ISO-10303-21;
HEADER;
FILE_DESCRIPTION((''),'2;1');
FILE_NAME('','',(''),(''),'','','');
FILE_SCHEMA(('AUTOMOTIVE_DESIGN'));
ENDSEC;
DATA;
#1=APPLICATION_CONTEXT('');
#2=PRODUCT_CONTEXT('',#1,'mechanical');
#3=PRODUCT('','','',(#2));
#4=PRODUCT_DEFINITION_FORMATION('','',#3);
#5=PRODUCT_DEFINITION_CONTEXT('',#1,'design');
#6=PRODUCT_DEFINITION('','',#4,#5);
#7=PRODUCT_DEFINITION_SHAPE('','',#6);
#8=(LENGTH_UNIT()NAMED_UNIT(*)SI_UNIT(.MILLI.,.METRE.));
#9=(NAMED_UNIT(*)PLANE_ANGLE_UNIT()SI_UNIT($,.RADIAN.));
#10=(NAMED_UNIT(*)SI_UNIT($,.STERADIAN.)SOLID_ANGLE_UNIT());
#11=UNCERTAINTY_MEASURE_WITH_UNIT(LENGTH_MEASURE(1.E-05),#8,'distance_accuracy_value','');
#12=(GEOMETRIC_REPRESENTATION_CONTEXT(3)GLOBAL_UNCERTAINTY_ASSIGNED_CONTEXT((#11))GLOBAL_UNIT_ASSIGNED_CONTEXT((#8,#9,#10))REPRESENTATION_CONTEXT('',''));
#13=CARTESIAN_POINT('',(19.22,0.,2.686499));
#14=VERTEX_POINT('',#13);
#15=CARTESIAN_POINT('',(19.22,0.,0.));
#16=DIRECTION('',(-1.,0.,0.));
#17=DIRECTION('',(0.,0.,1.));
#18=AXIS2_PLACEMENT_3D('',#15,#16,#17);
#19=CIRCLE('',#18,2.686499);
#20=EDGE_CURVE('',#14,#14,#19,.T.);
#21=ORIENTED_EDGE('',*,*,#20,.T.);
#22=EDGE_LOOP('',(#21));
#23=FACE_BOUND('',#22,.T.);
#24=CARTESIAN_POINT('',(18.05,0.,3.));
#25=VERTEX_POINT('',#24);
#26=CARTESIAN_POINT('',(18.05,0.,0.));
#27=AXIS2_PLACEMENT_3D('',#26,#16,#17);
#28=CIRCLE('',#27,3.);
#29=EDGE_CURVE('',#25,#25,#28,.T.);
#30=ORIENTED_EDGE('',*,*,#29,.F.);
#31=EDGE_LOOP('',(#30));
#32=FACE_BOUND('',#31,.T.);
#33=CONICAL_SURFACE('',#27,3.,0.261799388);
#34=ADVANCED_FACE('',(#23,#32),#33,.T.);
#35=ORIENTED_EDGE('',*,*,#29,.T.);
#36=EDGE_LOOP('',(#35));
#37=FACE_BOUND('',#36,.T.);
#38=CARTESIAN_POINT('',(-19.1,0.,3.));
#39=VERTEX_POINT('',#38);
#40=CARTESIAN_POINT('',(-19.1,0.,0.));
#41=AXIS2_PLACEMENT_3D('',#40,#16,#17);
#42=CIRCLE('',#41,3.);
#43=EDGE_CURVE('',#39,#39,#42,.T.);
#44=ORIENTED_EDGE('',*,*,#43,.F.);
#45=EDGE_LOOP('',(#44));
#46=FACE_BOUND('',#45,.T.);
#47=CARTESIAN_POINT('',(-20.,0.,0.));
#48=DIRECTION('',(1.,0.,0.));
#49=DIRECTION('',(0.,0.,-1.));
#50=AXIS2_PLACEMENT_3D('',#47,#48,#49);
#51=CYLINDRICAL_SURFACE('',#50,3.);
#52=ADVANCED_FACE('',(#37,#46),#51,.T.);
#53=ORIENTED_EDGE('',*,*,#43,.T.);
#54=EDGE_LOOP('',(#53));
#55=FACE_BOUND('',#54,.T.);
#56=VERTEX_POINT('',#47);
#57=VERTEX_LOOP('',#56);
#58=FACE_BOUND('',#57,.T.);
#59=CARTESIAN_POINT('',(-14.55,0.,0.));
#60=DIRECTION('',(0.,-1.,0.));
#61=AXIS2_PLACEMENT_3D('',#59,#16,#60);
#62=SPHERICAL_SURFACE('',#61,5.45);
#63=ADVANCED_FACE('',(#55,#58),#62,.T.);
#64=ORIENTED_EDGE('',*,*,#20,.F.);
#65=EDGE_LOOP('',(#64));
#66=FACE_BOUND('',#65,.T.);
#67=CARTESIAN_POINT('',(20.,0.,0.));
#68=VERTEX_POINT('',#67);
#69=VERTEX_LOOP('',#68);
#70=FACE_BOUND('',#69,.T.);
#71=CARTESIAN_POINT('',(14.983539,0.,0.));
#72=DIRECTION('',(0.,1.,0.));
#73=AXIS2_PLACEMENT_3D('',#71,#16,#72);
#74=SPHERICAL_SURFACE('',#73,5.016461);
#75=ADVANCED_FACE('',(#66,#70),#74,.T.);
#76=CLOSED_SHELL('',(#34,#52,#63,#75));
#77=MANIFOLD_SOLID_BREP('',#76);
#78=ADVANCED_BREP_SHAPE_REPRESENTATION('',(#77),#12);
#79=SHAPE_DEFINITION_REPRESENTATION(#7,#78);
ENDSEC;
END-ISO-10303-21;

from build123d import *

# Parameters (mm, degrees)
SKETCH2_R           = 3
EXTRUDE1_DEPTH      = 20
EXTRUDE1_DEPTH_BACK = 20


with BuildPart() as part:
    # Sketch2 → Extrude1 (new body, two sides)
    with BuildSketch(Plane(origin=(0, 0, 0), x_dir=(0, 0, -1), z_dir=(1, 0, 0))) as extrude1_sk:
        Circle(SKETCH2_R)
    extrude(amount=EXTRUDE1_DEPTH)
    extrude(extrude1_sk.sketch, amount=-EXTRUDE1_DEPTH_BACK)

    # Sketch5 → Cut-Revolve1 (revolve, cut)
    with BuildSketch(Plane.XY):
        with BuildLine():
            Line((18.05, 3), (18.05, 3.5))
            Line((18.05, 3.5), (20.5, 3.5))
            Line((20.5, 3.5), (20.5, 0))
            Line((20.5, 0), (20, 0))
            ThreePointArc((20, 0), (19.801055079, 1.398720779), (19.22, 2.686499445))
            Line((19.22, 2.686499445), (18.05, 3))
        make_face()
        with BuildLine():
            Line((-19.1, 3), (-19.1, 3.5))
            Line((-19.1, 3.5), (-20.5, 3.5))
            Line((-20.5, 3.5), (-20.5, 0))
            Line((-20.5, 0), (-20, 0))
            ThreePointArc((-20, 0), (-19.770153254, 1.566045976), (-19.1, 3))
        make_face()
    revolve(axis=Axis((-20, 0, 0), (1, 0, 0)), mode=Mode.SUBTRACT)


solid = part.part
